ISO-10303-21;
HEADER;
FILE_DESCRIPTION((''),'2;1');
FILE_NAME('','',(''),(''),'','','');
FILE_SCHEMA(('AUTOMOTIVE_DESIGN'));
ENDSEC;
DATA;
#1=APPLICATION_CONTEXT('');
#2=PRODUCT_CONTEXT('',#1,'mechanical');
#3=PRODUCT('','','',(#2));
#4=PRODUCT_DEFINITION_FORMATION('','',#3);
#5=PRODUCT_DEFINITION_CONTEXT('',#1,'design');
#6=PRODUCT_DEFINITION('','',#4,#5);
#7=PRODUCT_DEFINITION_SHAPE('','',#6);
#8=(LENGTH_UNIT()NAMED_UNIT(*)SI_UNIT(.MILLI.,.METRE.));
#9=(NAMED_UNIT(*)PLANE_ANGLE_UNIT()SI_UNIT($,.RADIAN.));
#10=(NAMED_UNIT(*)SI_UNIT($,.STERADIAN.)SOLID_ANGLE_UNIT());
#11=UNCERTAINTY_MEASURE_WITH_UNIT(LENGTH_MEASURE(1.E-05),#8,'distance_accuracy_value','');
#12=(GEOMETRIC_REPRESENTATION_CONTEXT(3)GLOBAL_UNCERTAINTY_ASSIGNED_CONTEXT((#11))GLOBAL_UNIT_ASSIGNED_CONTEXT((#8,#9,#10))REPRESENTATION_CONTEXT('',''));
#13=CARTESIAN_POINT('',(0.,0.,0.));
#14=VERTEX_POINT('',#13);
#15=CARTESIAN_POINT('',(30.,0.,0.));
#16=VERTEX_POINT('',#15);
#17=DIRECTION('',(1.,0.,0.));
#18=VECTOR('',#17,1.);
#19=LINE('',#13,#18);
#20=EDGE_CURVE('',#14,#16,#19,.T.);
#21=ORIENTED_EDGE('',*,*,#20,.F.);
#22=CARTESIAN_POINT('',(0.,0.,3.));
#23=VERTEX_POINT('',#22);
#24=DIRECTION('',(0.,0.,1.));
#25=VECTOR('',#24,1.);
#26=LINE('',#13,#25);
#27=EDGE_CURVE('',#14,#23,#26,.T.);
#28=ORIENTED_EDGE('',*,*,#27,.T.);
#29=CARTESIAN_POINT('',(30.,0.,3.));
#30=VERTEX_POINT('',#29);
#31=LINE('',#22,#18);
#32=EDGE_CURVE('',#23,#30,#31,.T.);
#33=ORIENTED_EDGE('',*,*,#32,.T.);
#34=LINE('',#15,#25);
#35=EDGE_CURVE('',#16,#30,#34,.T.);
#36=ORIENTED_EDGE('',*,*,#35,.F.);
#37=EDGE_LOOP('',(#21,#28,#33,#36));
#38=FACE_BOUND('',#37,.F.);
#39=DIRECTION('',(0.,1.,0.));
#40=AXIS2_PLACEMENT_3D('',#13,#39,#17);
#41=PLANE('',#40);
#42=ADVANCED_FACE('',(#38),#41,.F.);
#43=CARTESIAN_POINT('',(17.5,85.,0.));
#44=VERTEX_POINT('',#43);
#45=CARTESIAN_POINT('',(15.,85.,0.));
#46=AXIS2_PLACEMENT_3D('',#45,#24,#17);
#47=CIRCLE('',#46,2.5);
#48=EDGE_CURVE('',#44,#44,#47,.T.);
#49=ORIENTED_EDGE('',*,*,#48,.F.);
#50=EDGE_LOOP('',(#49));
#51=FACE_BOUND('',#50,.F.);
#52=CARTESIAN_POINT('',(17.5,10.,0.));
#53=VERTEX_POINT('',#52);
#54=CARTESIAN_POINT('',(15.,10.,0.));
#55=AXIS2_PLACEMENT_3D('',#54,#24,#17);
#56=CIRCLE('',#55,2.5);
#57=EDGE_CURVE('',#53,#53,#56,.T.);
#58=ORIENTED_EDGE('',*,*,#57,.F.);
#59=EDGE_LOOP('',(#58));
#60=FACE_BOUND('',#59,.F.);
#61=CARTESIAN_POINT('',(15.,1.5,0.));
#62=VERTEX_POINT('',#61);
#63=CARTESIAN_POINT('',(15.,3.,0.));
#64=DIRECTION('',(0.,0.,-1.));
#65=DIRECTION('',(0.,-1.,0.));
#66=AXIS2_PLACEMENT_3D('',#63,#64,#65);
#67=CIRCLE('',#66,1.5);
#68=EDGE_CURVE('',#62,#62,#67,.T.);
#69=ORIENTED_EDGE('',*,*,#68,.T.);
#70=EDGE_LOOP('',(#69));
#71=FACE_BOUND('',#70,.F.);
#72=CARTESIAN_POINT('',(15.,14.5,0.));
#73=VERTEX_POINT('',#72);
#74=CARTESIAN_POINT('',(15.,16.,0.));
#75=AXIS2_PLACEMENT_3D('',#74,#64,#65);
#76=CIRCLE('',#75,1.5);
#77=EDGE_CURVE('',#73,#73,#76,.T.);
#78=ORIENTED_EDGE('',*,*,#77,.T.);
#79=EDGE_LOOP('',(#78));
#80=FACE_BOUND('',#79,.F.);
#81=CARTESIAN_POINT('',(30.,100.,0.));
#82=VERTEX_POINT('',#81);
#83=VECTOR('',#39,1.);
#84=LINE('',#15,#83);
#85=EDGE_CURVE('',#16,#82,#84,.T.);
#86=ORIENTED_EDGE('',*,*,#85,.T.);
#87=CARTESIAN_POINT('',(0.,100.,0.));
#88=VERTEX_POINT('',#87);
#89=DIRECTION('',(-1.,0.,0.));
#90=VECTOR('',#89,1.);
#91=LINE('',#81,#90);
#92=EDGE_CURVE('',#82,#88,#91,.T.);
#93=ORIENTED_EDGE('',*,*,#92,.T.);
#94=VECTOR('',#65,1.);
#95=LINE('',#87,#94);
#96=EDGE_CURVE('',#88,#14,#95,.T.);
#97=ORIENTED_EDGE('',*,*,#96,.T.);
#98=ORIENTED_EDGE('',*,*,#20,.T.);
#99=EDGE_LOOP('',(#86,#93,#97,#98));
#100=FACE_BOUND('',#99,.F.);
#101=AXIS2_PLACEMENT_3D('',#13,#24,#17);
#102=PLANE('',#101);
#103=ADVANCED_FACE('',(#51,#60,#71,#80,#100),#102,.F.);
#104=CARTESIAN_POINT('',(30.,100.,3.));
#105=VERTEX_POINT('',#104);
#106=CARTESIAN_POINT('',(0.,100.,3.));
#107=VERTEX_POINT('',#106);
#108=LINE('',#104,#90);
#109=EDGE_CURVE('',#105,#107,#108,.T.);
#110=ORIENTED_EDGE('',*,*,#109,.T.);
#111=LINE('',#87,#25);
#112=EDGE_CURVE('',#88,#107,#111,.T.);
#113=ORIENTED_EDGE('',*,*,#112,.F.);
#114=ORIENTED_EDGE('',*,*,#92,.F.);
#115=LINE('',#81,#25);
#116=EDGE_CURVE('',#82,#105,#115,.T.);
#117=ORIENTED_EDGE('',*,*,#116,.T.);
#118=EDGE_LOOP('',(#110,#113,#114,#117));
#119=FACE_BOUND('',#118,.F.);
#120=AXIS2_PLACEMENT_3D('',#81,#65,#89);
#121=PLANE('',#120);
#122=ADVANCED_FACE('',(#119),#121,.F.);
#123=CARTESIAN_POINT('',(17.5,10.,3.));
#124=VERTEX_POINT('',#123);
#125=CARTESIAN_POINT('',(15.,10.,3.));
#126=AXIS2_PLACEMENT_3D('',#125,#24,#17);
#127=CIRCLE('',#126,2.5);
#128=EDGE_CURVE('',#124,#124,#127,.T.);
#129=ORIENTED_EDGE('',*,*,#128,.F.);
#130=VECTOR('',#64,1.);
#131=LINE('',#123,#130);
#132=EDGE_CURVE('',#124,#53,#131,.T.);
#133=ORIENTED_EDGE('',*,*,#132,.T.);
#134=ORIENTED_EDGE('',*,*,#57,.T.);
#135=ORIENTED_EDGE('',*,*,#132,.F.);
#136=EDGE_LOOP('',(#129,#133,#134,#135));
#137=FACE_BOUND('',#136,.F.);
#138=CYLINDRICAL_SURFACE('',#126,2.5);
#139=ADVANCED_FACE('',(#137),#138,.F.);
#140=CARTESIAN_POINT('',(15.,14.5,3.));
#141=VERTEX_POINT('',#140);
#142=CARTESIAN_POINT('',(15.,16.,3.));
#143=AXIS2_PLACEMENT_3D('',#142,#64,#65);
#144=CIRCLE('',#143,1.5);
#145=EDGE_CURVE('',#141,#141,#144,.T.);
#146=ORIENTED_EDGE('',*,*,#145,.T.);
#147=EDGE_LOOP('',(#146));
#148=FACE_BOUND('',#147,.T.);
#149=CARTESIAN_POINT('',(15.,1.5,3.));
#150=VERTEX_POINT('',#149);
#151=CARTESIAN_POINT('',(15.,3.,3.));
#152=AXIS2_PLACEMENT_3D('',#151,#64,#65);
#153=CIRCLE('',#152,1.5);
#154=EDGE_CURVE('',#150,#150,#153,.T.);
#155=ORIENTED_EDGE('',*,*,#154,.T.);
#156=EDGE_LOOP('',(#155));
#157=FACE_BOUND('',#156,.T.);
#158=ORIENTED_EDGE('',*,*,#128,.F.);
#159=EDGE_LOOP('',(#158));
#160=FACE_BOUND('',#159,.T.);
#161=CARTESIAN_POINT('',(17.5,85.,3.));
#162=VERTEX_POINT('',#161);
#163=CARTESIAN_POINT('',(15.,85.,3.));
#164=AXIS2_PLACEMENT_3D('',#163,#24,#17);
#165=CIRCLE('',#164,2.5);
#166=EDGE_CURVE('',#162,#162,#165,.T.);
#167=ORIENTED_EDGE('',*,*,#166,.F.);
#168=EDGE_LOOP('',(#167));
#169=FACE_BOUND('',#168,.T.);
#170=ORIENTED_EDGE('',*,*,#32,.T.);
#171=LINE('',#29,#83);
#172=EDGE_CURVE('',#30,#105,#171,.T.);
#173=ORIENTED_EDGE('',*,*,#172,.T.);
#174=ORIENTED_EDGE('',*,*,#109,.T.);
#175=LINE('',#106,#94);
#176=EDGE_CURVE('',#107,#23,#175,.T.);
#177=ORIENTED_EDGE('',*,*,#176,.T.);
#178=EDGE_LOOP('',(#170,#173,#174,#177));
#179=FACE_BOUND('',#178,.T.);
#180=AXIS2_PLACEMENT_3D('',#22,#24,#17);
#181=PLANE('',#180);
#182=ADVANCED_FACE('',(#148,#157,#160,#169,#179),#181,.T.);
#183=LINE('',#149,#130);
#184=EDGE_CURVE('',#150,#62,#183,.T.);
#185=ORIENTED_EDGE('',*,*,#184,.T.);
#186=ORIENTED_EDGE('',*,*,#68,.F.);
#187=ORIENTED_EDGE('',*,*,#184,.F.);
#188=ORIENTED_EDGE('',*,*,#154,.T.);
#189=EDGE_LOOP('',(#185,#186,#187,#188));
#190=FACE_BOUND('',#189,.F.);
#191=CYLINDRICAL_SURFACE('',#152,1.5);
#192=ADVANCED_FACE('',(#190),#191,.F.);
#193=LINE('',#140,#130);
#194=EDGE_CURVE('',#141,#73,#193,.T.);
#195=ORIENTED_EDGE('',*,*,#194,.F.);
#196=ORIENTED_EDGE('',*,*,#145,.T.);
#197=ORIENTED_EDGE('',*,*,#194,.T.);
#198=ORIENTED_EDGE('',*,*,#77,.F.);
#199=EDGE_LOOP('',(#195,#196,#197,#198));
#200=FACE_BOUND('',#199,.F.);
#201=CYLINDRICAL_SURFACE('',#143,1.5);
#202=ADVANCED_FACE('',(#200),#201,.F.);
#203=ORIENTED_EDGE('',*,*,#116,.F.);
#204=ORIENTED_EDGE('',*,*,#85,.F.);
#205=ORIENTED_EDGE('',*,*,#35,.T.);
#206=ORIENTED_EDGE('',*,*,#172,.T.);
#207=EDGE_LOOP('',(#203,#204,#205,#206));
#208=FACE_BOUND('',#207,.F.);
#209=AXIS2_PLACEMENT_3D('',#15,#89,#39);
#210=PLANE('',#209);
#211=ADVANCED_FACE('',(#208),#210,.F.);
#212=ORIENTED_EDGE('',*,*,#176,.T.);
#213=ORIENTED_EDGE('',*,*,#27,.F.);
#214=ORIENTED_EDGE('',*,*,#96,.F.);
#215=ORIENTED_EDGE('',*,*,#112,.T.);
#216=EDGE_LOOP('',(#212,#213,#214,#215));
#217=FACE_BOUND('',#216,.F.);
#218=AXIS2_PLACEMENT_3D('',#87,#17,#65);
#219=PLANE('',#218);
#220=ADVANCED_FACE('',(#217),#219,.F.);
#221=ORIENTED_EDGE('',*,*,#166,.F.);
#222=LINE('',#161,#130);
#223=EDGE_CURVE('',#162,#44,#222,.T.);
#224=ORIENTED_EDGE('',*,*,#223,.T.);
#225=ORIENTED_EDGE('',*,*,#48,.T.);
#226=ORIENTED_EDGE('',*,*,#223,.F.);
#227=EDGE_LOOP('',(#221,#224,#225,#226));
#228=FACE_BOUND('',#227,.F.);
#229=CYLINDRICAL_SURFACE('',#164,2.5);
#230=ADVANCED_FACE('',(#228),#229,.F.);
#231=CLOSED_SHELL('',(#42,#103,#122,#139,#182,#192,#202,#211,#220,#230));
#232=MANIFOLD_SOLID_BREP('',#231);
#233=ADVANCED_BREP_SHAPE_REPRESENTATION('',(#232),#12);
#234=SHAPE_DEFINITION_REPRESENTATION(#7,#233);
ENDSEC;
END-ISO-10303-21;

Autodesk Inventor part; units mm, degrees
ref_plane "YZ Plane" through (0, 0, 0) normal (1, 0, 0) x (0, 1, 0)
ref_plane "XZ Plane" through (0, 0, 0) normal (0, 1, 0) x (-1, 0, 0)
ref_plane "XY Plane" through (0, 0, 0) normal (0, 0, 1) x (1, 0, 0)
sketch "スケッチ1" plane through (0, 0, 0) normal (0, 0, 1) x (1, 0, 0)
  line L0 (0, 0) -> (30, 0)
  line L1 (30, 0) -> (30, 100)
  line L2 (30, 100) -> (0, 100)
  line L3 (0, 100) -> (0, 0)
  dimension "d0" = 100
  dimension "d1" = 30
extrude "押し出し1" add sketch "スケッチ1" along normal blind 3
sketch "スケッチ3" plane through (0, 0, 3) normal (0, 0, 1) x (1, 0, 0)
  circle A0 centre (15, 85) radius 2.5
  line L0 (30, 100) -> (0, 100) projected
  line L1 (0, 100) -> (0, 0) projected
  point P0 (15, 100)
  dimension "d9" = 5
  dimension "d10" = 15
  dimension "d11" = 15
extrude "押し出し3" cut sketch "スケッチ3" against normal blind 10
sketch "スケッチ4" plane through (0, 0, 3) normal (0, 0, 1) x (1, 0, 0)
  circle A0 centre (15, 10) radius 2.5
  line L0 (0, 0) -> (30, 0) projected
  line L1 (30, 0) -> (30, 100) projected
  dimension "d14" = 5
  dimension "d15" = 10
  dimension "d16" = 15
extrude "押し出し4" cut sketch "スケッチ4" against normal blind 10
sketch "スケッチ5" plane through (0, 0, 3) normal (0, 0, 1) x (1, 0, 0)
  circle A0 centre (15, 10) radius 2.5 projected
  line L0 (15, 10) -> (15, 26.1579)
  line L1 (15, 26.1579) -> (15, -6.7471)
  line L2 (0, 0) -> (30, 0) projected
  point P0 (15, 16)
  point P1 (15, 3)
  dimension "d19" = 3
  dimension "d20" = 13
hole "穴1" at (15, 16, 3) at (15, 3, 3) direction (0, 0, -1) diameter 3 end through all
equation "\"d11\" = d10"
properties part number "practice_parts02"
